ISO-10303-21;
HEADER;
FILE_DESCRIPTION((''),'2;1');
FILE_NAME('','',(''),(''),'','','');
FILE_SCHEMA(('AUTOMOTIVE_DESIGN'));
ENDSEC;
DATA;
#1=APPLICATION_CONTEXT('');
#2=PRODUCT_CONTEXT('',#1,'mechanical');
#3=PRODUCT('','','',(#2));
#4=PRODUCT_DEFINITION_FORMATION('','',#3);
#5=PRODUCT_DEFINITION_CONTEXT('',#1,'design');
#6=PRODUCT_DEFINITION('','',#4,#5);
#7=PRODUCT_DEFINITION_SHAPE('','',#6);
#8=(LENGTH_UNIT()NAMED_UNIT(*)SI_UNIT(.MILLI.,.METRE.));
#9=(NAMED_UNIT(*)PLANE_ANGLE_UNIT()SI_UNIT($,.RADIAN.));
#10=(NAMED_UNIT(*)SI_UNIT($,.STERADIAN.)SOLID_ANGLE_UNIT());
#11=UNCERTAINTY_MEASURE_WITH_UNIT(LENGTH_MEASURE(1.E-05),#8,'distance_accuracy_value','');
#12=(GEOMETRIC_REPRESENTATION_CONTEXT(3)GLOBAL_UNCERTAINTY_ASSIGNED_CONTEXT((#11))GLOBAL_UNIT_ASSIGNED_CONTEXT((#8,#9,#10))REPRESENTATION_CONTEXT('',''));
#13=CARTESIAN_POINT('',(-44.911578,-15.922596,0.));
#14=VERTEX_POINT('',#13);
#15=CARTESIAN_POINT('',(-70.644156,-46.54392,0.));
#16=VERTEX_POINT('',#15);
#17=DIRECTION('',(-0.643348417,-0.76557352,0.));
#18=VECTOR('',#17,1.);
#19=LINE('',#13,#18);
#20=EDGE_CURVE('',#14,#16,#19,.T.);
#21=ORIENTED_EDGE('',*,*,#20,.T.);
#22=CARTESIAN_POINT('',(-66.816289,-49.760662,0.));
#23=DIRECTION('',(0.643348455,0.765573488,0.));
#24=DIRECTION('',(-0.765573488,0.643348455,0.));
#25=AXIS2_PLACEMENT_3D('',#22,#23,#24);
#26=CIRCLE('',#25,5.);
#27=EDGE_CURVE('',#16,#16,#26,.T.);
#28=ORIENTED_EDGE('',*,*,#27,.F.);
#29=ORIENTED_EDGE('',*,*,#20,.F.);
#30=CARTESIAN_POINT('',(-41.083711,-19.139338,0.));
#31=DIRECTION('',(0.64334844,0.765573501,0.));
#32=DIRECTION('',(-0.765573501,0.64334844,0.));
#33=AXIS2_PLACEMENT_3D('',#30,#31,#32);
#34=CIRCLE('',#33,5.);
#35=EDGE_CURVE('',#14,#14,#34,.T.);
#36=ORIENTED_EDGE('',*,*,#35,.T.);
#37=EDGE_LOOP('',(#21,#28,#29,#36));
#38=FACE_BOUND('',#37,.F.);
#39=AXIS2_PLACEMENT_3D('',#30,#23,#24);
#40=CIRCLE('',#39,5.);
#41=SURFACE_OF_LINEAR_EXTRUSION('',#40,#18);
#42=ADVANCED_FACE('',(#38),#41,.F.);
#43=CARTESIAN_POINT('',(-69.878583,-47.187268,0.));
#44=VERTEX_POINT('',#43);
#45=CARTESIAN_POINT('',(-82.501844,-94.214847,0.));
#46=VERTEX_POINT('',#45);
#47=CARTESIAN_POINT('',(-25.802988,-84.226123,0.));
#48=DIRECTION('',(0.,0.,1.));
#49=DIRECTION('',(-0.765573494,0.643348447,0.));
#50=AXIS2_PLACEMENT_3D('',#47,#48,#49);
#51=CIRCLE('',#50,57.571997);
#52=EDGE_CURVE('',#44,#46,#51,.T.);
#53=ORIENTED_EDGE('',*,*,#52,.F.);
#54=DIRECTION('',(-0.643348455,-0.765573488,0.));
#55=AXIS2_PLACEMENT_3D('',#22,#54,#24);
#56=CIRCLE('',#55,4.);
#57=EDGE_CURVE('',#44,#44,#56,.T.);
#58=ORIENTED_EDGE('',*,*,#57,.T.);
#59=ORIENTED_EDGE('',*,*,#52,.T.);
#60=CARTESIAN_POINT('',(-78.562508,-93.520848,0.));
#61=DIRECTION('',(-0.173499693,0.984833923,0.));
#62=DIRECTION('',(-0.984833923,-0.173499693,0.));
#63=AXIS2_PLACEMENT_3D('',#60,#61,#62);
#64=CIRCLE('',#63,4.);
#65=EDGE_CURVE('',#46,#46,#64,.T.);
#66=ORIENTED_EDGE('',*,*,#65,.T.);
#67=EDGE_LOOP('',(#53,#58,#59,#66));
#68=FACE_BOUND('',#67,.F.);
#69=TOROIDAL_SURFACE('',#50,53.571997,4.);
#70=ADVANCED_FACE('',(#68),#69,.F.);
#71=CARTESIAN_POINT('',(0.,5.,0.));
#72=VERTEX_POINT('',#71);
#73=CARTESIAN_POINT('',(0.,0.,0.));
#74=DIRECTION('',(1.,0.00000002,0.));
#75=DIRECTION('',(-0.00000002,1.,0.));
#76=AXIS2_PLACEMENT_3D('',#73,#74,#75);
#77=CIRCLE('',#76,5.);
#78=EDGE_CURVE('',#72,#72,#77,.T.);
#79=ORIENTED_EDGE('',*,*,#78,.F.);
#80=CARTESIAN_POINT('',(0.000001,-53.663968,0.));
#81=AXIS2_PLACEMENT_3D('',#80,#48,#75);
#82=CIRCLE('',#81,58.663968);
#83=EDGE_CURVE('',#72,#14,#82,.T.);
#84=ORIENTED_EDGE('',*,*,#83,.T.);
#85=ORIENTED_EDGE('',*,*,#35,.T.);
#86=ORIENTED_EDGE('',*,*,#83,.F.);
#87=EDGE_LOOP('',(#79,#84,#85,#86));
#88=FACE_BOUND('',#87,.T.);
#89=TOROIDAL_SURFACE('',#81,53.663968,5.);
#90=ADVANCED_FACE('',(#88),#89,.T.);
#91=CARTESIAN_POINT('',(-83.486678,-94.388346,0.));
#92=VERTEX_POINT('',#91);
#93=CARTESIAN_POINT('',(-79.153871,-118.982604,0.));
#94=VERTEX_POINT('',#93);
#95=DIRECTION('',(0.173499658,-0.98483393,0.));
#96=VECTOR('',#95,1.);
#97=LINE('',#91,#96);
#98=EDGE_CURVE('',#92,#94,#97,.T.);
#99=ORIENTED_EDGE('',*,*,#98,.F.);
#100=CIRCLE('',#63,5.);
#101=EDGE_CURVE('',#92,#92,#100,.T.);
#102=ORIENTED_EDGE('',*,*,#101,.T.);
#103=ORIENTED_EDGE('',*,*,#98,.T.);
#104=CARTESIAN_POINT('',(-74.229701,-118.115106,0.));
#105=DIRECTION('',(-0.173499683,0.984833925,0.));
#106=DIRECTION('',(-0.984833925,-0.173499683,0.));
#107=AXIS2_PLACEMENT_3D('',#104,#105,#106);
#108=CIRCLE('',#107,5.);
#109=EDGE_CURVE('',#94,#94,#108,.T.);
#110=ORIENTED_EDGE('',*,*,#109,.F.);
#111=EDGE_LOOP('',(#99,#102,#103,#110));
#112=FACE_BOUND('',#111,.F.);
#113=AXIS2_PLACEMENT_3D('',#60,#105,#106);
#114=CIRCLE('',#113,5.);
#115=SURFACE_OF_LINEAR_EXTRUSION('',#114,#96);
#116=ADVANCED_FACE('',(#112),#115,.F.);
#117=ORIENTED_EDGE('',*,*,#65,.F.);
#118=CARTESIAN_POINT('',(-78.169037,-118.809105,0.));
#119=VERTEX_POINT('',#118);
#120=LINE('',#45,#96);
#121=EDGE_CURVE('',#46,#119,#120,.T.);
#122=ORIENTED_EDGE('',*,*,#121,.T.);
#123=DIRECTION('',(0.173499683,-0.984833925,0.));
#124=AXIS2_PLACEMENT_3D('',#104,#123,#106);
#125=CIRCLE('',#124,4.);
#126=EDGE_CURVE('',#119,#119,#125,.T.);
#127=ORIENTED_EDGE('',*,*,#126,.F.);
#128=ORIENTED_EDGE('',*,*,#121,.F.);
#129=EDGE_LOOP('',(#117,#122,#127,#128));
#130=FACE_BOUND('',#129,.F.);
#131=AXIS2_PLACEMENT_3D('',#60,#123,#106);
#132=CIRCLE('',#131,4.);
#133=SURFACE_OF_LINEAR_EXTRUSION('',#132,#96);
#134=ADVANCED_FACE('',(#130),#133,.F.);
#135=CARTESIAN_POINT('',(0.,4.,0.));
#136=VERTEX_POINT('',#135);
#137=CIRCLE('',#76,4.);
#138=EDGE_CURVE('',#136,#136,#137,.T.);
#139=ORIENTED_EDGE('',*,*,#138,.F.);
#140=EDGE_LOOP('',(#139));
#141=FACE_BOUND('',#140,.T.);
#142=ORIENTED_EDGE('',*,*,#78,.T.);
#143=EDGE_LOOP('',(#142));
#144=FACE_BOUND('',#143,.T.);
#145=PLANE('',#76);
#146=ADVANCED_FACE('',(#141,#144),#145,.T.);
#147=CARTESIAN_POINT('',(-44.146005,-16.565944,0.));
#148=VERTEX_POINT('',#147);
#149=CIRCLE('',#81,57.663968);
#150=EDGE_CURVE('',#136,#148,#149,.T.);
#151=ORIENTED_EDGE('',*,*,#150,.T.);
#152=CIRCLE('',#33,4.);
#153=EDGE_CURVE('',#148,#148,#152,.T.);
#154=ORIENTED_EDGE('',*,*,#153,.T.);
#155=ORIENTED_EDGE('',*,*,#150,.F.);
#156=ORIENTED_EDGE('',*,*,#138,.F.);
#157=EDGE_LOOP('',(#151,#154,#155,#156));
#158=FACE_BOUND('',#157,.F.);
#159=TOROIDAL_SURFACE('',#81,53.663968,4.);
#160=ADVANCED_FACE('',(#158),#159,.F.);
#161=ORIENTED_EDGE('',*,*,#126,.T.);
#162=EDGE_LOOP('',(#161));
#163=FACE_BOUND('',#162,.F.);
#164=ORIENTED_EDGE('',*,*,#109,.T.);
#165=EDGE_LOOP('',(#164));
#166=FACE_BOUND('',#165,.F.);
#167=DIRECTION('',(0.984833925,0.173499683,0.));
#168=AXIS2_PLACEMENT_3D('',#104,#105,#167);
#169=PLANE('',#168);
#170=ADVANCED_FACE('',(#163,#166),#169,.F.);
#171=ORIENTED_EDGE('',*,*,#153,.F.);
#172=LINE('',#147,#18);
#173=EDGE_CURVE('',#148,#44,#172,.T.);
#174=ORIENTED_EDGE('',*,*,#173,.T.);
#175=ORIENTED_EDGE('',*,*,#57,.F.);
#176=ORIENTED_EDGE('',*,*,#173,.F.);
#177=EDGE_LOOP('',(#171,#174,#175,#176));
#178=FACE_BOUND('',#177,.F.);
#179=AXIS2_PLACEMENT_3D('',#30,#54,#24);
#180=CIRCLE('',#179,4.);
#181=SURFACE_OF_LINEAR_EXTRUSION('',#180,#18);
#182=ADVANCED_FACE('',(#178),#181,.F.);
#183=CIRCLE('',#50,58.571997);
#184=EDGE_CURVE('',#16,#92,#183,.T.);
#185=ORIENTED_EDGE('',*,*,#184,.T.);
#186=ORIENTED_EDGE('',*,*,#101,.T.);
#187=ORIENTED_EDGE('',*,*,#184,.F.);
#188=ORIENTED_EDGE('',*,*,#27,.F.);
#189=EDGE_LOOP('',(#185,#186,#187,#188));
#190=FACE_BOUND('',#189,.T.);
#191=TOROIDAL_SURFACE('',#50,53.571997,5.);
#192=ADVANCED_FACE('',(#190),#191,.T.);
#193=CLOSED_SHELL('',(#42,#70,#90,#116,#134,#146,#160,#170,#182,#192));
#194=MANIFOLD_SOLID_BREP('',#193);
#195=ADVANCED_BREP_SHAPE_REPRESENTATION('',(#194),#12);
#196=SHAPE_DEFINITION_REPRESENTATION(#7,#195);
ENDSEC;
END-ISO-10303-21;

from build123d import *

# Parameters (mm, degrees)
F1_R   = 5
F1_R_2 = 4


with BuildPart() as f2:
    # F2: sweep along a path in F0
    with BuildLine(Plane.XY) as f2_path:
        ThreePointArc((0, 0), (-22.661562, -5.019595), (-41.083711, -19.139338))
        Line((-41.083711, -19.139338), (-66.816289, -49.760662))
        ThreePointArc((-66.816289, -49.760662), (-77.543436, -70.337822), (-78.562508, -93.520848))
        Line((-78.562508, -93.520848), (-74.229701, -118.115106))
    # F1 (on Right) → F2 (sweep)
    with BuildSketch(Plane.YZ):
        Circle(F1_R)
        Circle(F1_R_2, mode=Mode.SUBTRACT)
    sweep(path=f2_path.line)


solid = f2.part
